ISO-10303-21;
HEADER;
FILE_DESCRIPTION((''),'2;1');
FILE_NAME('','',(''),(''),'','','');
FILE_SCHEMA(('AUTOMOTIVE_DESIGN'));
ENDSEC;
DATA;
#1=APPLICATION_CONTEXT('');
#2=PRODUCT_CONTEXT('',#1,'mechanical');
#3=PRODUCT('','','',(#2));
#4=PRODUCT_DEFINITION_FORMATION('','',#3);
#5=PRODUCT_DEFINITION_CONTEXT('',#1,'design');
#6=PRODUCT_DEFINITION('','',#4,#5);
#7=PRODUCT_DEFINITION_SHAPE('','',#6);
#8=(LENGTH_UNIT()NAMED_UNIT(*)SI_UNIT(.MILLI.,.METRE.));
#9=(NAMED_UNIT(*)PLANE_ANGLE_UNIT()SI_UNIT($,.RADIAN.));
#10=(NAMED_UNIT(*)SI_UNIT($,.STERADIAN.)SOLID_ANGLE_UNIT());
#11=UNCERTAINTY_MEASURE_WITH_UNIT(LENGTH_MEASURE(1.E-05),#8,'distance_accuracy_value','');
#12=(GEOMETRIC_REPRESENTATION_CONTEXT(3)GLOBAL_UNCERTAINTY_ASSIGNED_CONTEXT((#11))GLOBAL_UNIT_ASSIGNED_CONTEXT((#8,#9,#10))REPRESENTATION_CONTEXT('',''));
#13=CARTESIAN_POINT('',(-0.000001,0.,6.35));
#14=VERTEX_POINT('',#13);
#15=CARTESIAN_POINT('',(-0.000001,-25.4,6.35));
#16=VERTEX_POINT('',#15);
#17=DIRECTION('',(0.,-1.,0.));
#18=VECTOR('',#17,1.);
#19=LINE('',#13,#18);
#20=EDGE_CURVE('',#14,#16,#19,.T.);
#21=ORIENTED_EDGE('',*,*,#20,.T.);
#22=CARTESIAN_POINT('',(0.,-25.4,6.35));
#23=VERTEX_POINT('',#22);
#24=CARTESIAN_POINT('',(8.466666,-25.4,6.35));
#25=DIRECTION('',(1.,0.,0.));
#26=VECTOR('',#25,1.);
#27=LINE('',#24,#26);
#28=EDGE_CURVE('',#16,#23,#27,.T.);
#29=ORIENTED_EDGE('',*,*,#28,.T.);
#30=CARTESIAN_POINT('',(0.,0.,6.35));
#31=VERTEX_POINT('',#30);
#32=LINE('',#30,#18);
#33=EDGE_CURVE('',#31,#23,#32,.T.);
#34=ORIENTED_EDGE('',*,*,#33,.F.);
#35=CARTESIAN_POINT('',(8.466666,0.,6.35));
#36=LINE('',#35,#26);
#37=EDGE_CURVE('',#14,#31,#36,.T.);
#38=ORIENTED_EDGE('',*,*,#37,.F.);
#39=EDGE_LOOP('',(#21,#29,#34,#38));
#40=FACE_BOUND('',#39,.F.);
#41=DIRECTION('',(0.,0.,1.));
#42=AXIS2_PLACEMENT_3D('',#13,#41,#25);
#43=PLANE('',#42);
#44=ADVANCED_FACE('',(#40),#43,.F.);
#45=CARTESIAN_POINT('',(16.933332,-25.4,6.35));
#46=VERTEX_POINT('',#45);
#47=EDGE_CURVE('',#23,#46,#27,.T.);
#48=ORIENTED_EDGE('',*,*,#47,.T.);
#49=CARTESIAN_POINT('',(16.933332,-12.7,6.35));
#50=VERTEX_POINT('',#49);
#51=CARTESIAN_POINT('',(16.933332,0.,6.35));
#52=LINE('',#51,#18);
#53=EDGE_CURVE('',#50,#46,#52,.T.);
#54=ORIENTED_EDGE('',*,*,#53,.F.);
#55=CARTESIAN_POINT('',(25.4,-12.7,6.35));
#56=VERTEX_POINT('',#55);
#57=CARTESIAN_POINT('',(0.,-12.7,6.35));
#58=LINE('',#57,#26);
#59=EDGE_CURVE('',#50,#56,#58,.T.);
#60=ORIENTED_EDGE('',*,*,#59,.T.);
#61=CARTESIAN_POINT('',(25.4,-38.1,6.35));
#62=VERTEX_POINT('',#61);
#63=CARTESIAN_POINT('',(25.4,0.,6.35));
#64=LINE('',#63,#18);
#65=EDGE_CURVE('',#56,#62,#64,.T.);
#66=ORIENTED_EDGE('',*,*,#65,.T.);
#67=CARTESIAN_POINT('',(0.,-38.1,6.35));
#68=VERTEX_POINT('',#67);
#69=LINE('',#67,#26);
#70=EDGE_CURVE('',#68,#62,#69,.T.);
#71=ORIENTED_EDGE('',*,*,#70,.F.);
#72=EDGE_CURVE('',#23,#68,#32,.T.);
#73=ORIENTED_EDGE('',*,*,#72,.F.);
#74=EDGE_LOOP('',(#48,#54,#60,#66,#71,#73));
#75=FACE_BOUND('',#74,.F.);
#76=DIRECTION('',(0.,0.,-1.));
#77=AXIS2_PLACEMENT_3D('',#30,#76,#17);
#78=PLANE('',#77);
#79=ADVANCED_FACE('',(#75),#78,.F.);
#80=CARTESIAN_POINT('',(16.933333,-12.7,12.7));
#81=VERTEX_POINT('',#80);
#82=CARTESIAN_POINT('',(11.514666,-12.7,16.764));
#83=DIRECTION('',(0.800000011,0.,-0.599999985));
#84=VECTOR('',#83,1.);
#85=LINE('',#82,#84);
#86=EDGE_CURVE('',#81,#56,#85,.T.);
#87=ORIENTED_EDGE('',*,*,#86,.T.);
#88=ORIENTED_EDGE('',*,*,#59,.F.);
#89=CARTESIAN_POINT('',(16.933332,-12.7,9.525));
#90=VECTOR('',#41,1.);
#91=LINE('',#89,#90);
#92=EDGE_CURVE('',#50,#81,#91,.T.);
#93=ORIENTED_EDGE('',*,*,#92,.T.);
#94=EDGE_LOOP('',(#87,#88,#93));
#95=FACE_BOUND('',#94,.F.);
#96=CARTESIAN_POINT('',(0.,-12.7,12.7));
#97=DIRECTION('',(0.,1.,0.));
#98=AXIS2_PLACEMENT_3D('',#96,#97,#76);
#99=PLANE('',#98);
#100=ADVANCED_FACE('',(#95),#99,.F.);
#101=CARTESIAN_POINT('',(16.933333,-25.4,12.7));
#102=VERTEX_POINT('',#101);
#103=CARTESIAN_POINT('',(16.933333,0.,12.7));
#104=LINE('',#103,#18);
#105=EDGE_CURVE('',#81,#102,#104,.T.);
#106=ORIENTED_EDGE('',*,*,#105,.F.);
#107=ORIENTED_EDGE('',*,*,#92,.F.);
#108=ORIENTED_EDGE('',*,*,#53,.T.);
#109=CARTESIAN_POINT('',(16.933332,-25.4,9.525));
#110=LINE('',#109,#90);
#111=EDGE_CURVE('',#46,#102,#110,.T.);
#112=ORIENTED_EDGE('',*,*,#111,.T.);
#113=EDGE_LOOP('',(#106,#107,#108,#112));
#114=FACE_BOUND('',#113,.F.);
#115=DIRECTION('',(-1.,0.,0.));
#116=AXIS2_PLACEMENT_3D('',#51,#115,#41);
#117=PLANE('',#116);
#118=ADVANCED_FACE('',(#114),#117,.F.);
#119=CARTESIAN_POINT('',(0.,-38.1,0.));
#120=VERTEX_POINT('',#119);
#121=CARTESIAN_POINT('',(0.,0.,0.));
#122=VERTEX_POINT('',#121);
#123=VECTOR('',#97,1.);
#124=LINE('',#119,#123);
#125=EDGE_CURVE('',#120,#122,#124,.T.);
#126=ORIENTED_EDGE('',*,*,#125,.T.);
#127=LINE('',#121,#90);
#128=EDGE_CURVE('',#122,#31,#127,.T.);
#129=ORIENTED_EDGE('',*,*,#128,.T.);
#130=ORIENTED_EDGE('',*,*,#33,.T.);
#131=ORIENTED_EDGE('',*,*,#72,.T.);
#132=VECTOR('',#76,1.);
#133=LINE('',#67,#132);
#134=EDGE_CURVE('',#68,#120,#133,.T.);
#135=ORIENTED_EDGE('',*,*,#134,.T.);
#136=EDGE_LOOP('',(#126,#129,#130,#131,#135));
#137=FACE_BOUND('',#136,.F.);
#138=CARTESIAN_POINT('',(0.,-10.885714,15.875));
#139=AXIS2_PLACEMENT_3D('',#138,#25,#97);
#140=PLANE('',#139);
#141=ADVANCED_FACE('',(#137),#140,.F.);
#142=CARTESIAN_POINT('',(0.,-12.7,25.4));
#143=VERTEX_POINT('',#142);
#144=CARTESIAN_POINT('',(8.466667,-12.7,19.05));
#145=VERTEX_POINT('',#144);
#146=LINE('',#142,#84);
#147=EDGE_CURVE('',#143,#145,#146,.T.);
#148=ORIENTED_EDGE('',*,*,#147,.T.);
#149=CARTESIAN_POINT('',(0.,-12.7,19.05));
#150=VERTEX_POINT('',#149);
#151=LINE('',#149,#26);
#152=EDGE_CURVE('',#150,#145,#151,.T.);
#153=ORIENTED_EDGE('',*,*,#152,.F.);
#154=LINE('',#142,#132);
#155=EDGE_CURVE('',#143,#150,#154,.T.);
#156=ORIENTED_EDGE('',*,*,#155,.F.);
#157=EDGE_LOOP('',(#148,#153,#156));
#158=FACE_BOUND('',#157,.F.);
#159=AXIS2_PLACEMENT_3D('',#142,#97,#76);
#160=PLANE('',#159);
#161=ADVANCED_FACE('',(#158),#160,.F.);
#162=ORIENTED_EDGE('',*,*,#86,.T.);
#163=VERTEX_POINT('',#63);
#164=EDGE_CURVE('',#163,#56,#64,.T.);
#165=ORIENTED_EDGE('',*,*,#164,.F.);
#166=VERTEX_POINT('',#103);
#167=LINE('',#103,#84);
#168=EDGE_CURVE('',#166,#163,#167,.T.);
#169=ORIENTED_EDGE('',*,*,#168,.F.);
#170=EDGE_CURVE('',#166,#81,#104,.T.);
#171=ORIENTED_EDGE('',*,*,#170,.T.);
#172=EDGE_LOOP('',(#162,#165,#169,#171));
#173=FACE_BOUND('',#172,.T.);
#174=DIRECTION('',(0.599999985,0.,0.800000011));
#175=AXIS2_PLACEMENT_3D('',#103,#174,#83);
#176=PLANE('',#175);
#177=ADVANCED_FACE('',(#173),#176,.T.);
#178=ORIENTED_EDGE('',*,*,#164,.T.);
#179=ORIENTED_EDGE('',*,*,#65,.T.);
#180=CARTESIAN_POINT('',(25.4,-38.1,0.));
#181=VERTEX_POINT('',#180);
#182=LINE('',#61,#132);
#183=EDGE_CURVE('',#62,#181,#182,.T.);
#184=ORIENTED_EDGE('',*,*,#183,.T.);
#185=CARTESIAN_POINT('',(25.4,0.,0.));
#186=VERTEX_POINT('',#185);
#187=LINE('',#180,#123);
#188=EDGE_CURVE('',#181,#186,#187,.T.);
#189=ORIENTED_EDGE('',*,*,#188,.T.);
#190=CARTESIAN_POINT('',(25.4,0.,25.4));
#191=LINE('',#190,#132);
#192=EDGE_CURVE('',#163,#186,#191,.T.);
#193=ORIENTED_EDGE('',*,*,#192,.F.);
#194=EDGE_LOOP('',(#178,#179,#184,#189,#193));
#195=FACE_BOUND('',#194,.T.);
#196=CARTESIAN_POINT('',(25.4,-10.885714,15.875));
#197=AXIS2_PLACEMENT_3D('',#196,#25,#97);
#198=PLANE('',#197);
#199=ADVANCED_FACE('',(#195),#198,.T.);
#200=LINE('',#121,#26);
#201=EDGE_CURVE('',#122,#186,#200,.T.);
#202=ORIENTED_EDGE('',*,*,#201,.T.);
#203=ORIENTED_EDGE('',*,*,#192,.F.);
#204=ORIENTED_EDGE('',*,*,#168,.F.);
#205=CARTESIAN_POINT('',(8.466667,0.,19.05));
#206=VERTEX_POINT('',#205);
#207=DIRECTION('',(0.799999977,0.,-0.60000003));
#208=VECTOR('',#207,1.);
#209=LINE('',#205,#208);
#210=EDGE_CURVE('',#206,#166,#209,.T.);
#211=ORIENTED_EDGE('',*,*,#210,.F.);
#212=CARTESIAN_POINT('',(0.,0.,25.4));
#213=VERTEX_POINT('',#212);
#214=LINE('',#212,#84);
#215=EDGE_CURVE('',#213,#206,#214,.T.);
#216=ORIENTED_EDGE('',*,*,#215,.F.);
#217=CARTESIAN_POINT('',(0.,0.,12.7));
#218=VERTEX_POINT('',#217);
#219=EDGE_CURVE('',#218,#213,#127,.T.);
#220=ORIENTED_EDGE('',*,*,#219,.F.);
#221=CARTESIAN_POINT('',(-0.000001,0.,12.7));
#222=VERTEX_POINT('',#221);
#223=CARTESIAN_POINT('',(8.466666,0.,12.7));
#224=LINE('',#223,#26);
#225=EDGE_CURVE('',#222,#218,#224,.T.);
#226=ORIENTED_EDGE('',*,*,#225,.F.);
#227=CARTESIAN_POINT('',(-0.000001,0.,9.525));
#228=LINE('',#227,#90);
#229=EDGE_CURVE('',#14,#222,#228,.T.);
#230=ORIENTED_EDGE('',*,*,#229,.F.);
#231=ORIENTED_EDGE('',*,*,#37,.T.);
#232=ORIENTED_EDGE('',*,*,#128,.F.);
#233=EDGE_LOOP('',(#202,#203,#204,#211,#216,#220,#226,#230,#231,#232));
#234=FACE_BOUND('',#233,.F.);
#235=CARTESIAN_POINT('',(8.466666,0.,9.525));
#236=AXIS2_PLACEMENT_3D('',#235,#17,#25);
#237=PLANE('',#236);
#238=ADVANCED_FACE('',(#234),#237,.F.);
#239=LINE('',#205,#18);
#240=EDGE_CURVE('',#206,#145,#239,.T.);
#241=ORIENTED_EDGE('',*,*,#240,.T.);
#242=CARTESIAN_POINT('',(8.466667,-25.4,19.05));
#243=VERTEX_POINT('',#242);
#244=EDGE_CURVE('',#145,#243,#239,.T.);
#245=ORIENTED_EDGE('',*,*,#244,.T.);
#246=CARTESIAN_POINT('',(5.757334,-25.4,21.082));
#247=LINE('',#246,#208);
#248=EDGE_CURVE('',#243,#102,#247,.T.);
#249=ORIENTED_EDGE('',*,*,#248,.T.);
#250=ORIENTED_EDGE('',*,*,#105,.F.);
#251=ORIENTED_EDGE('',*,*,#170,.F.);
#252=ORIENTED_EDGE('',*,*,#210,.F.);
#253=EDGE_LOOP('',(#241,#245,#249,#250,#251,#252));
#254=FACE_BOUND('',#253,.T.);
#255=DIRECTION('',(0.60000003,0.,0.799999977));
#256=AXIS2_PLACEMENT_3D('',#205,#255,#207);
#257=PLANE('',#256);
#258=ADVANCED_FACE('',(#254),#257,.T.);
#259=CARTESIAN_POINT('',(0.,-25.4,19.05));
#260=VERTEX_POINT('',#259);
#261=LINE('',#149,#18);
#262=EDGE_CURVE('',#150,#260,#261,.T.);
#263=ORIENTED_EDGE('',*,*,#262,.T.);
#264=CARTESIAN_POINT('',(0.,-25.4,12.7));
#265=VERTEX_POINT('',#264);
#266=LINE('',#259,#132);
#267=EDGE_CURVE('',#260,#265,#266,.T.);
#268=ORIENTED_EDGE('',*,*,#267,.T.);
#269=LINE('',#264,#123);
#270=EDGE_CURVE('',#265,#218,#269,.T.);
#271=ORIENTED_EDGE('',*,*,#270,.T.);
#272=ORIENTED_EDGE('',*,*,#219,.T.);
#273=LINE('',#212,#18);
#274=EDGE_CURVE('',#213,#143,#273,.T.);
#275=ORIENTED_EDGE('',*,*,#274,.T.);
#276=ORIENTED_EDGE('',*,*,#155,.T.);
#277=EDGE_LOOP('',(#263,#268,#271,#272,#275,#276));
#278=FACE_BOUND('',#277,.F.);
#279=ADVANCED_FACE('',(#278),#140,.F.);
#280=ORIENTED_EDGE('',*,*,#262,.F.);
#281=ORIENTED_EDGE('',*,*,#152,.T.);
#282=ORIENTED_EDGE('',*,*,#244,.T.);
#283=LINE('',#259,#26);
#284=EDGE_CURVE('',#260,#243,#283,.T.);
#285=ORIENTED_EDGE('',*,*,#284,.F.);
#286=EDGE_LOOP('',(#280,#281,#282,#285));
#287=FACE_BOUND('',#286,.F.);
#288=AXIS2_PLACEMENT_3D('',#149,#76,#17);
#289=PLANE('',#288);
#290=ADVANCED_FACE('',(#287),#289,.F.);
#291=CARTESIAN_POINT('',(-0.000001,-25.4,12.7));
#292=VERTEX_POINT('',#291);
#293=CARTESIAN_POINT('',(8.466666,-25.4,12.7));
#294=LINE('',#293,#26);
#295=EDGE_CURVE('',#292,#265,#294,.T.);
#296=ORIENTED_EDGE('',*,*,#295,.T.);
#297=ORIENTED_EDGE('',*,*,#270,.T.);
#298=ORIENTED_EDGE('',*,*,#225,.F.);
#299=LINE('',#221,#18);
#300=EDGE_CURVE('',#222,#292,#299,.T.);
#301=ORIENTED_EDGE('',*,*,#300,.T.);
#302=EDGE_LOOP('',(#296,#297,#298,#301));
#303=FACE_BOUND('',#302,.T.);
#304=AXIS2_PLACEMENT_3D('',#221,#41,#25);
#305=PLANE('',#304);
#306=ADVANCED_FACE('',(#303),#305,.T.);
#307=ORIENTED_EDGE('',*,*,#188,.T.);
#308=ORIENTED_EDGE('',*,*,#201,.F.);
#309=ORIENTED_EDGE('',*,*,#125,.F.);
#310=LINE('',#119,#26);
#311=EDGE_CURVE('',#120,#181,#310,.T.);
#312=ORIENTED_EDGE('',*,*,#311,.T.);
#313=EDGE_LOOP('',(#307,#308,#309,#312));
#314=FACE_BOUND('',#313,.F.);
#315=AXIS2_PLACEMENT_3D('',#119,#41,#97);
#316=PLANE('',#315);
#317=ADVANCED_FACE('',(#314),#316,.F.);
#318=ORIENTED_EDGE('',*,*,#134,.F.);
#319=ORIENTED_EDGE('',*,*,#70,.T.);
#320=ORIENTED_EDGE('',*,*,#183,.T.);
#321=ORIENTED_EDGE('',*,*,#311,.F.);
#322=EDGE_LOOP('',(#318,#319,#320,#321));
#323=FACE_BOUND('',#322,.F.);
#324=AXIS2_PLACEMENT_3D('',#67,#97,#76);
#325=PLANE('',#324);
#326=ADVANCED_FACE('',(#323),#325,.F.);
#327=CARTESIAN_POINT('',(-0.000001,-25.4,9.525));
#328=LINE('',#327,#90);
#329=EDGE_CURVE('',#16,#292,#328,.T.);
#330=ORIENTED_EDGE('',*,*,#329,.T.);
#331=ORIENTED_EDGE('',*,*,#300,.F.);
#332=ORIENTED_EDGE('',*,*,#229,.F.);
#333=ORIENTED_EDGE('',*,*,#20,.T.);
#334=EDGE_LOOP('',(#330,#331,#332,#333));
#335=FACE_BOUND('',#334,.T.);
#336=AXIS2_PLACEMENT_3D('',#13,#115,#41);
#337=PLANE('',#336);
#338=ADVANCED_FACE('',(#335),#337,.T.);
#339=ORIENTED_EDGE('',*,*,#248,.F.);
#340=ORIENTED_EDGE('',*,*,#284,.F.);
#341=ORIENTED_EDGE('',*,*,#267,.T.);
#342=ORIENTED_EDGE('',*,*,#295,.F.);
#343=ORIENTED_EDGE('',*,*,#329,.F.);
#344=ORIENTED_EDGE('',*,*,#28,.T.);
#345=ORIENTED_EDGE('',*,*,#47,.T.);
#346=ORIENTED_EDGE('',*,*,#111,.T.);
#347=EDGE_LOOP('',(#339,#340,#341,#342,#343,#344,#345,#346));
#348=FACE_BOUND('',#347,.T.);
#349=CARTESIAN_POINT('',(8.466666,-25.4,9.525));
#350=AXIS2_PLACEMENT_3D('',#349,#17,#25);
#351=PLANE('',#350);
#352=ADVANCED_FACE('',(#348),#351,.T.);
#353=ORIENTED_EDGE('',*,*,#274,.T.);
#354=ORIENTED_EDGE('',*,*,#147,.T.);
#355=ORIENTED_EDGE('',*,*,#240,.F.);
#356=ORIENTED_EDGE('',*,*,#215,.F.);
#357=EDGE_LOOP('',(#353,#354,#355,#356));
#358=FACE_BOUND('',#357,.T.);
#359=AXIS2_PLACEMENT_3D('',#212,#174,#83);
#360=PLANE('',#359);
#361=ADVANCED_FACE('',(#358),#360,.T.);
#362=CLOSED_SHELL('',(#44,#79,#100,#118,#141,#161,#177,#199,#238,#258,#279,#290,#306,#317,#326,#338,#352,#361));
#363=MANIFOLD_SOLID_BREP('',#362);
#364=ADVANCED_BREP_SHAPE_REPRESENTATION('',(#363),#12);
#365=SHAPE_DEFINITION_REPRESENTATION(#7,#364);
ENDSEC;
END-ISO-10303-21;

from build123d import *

# Parameters (mm, degrees)
F2_DEPTH = 25.4
F3_DEPTH = 25.4
F4_DEPTH = 38.101
F0_W     = 16.933333
F0_H     = 6.35
F5_DEPTH = 25.4


with BuildPart() as f2:
    # F1 (on Right) → F2 (new body)
    with BuildSketch(Plane.YZ):
        Polygon((-38.1, 0), (0, 0), (0, 6.35), (-12.7, 6.35), (-25.4, 6.35), (-38.1, 6.35), align=None)
    extrude(amount=F2_DEPTH)

    # F1 (on Right) → F3 (join)
    with BuildSketch(Plane.YZ):
        Polygon((-12.7, 6.35), (0, 6.35), (0, 25.4), (-12.7, 25.4), (-12.7, 19.05), (-25.4, 19.05), (-25.4, 12.7), (-12.7, 12.7), align=None)
    extrude(amount=F3_DEPTH)

    # F0 (on Front) → F4 (cut, through all)
    with BuildSketch(Plane.XZ):
        Polygon((16.933333, 12.7), (25.4, 6.35), (25.4, 25.4), (0, 25.4), (8.466667, 19.05), align=None)
    extrude(amount=F4_DEPTH, mode=Mode.SUBTRACT)

    # F0 (on Front) → F5 (join)
    with BuildSketch(Plane.XZ):
        with Locations((8.466666, 9.525)):
            Rectangle(F0_W, F0_H)
    extrude(amount=F5_DEPTH)


solid = f2.part
